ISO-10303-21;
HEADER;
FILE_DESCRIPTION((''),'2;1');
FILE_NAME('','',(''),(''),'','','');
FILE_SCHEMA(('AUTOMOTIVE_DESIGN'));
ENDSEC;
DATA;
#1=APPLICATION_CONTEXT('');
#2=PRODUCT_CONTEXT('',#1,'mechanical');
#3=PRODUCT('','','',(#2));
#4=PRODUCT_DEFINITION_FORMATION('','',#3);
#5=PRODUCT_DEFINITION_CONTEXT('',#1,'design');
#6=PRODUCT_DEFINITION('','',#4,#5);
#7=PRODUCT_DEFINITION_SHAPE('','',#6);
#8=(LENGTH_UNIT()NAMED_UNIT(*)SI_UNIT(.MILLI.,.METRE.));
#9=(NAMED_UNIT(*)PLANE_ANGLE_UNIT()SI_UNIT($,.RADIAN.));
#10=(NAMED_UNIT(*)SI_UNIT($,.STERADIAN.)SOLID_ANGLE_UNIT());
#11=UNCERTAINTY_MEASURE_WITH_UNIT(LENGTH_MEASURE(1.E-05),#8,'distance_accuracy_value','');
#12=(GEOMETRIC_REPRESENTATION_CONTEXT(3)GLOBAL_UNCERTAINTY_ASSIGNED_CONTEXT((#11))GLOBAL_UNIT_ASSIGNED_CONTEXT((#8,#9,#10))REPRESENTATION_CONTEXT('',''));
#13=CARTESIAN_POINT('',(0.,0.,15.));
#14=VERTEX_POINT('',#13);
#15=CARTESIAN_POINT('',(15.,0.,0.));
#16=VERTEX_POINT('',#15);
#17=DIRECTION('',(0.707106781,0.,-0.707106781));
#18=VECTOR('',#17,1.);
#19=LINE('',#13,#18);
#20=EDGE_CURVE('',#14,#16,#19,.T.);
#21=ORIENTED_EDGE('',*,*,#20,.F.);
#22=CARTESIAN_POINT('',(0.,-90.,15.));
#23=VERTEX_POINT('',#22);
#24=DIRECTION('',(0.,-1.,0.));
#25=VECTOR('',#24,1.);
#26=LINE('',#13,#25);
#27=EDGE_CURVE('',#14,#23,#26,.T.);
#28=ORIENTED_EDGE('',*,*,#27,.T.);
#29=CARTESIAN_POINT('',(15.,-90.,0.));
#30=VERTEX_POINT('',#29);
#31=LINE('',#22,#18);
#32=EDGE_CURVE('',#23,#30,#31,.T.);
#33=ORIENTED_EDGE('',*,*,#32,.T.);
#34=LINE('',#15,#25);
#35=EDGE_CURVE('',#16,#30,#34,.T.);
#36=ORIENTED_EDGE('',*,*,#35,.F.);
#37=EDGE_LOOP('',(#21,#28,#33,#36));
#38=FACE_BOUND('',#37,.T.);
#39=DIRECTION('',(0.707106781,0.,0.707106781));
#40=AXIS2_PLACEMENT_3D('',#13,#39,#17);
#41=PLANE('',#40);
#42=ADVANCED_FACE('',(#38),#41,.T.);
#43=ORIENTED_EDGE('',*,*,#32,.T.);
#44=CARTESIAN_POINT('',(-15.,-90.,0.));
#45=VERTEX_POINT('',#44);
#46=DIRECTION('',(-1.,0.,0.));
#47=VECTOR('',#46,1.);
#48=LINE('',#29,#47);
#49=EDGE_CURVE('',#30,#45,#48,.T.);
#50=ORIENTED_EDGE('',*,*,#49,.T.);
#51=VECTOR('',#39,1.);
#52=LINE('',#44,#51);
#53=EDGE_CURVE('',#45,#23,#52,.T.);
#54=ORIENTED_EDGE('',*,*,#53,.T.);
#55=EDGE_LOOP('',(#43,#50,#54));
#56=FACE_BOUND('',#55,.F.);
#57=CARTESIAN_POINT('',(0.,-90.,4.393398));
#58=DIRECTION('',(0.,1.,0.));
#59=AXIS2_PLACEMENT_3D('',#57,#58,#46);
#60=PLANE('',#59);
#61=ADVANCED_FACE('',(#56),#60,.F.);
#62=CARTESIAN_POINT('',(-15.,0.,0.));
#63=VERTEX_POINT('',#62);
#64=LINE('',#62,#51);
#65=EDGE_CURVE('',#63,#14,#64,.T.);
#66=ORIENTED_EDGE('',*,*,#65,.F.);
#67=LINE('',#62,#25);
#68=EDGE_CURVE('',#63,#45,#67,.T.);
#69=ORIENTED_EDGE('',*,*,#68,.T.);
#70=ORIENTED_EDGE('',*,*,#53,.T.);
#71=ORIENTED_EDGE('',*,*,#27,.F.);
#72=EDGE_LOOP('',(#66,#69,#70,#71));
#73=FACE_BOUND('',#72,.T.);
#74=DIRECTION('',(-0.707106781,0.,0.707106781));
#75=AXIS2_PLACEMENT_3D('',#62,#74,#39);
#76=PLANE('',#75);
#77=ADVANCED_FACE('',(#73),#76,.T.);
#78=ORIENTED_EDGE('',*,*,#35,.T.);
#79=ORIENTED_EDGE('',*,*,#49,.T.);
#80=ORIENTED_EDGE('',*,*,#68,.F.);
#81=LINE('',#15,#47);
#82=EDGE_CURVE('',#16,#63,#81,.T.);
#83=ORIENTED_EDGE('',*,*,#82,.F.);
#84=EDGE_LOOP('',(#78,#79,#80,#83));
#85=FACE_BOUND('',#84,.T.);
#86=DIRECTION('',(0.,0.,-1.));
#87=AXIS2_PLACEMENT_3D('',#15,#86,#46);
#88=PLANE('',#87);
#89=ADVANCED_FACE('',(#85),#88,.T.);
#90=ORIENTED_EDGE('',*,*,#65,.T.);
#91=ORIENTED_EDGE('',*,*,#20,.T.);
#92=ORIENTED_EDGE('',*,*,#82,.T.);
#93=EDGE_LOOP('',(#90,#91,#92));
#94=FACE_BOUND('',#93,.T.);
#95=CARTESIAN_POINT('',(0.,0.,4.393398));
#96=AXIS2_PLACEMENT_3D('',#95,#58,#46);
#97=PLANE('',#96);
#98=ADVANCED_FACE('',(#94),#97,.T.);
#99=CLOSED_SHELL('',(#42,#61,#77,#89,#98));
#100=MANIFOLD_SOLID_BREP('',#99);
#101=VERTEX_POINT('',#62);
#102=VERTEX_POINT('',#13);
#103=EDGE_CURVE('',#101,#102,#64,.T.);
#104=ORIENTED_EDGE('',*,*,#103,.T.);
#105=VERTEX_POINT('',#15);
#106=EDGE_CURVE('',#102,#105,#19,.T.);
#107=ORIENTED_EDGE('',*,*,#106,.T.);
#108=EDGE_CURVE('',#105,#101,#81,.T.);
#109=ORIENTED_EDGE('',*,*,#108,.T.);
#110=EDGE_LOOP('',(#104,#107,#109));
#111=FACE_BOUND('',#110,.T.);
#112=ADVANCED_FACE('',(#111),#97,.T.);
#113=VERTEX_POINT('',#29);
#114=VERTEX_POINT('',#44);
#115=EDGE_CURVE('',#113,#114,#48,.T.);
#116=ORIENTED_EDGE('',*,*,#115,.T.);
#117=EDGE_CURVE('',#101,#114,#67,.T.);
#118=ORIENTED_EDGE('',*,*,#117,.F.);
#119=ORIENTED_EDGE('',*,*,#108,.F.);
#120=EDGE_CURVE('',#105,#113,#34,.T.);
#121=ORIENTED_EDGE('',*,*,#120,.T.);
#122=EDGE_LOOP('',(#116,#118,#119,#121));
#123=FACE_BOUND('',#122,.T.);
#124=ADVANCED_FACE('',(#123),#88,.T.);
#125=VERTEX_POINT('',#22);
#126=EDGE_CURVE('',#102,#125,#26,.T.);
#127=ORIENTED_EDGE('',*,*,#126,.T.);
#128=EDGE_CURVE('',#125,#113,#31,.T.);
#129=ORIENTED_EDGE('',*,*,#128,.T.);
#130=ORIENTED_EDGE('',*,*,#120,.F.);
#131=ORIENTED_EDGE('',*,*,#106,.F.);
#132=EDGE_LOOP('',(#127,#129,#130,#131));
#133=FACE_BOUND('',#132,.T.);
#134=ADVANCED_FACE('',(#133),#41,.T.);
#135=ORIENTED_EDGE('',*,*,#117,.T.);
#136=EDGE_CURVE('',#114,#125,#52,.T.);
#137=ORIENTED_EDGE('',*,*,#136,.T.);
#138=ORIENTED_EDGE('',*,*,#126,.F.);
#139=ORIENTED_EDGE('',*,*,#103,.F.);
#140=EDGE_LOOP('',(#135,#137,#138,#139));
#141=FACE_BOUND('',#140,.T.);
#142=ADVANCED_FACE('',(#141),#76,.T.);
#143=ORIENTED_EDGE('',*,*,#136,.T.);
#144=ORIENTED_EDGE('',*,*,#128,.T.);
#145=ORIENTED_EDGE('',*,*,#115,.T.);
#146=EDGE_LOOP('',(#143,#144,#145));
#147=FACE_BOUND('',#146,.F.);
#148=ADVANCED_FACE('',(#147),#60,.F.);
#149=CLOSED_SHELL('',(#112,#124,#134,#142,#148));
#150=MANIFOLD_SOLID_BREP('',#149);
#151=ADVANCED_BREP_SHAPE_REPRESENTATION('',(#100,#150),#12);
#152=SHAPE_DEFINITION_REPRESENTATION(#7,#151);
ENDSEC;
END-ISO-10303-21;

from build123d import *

# Parameters (mm, degrees)
EXTRUDE_DEPTH    = 90
EXTRUDE001_DEPTH = 90


with BuildPart() as extrude_body:
    # Sketch → Extrude (new body)
    with BuildSketch(Plane.XZ):
        Polygon((-15, 0), (0, 15), (15, 0), align=None)
    extrude(amount=EXTRUDE_DEPTH)


with BuildPart() as extrude001:
    # Sketch → Extrude001 (new body)
    with BuildSketch(Plane.XZ):
        Polygon((-15, 0), (0, 15), (15, 0), align=None)
    extrude(amount=EXTRUDE001_DEPTH)


solid = Compound([extrude_body.part, extrude001.part])
